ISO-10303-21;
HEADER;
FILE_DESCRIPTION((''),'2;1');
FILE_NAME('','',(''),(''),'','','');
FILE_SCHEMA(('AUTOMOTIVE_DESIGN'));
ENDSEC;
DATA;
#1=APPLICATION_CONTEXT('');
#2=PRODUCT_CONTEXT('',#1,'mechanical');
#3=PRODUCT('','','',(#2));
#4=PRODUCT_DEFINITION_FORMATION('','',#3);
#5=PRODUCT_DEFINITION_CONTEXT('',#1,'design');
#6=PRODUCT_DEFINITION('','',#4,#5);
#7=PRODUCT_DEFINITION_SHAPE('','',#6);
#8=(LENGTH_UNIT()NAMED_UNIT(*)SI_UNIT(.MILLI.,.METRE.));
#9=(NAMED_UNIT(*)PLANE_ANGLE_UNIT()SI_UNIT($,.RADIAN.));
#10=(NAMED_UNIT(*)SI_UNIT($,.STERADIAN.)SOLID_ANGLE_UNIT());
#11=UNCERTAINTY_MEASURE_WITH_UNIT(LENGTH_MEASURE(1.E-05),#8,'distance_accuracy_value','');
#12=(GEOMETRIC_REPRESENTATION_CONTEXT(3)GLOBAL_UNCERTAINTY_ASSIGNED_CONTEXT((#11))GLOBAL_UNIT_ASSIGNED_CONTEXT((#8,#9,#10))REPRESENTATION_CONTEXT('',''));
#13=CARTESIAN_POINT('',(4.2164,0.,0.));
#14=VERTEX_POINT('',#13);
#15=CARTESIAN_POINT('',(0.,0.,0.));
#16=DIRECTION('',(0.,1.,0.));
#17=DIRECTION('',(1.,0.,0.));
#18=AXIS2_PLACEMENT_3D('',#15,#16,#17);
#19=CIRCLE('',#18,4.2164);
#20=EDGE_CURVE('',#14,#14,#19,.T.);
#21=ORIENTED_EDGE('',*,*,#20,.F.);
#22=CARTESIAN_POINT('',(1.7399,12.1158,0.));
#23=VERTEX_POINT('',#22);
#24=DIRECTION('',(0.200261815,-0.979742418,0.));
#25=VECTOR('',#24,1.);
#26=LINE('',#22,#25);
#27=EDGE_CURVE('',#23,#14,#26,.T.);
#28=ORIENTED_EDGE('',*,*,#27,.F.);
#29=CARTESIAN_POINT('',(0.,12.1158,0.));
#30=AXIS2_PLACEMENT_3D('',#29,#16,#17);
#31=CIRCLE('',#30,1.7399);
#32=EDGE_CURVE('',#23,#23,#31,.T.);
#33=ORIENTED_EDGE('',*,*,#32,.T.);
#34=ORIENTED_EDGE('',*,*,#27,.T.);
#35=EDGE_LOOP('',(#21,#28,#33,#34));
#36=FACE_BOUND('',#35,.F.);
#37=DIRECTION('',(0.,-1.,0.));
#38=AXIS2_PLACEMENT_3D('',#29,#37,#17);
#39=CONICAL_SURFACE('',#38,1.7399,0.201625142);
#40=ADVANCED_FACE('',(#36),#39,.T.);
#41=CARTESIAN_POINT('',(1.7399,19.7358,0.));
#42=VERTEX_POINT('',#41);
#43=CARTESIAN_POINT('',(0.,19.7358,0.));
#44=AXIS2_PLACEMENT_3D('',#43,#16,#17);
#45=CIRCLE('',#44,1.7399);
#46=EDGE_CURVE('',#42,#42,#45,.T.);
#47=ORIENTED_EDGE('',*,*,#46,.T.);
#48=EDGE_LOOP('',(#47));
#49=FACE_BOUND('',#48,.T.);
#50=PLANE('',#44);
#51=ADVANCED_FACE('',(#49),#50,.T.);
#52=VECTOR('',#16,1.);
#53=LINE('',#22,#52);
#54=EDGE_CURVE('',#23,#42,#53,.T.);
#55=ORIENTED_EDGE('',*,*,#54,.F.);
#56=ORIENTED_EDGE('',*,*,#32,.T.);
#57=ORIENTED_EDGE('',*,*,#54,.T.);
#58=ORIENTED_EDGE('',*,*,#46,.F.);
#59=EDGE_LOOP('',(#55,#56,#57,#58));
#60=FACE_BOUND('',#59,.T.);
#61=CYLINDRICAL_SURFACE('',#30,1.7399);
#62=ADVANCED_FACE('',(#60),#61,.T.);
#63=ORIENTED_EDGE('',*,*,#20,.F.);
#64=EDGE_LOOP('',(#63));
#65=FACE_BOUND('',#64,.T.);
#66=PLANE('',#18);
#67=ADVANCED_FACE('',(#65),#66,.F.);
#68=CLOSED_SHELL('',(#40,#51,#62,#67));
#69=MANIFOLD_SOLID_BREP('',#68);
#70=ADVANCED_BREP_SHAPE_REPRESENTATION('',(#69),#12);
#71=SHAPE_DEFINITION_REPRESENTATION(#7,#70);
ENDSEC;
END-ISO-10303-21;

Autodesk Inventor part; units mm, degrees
ref_plane "YZ Plane" through (0, 0, 0) normal (1, 0, 0) x (0, 1, 0)
ref_plane "XZ Plane" through (0, 0, 0) normal (0, 1, 0) x (-1, 0, 0)
ref_plane "XY Plane" through (0, 0, 0) normal (0, 0, 1) x (1, 0, 0)
sketch "Sketch1" plane through (0, 0, 0) normal (0, 0, 1) x (1, 0, 0)
  line L0 (0, 0) -> (4.2164, 0)
  line L1 (0, 0) -> (0, 12.1158)
  line L2 (0, 12.1158) -> (1.7399, 12.1158)
  line L3 (1.7399, 12.1158) -> (4.2164, 0)
  line L4 (0, 12.1158) -> (1.7399, 12.1158)
  line L5 (1.7399, 12.1158) -> (1.7399, 19.7358)
  line L6 (1.7399, 19.7358) -> (0, 19.7358)
  line L7 (0, 19.7358) -> (0, 12.1158)
  dimension "d0" = 4.2164
  dimension "d1" = 12.1158
  dimension "d2" = 1.7399
  dimension "d3" = 7.62
  dimension "d5" = 1.7399
revolve "Revolution1" add sketch "Sketch1" angle 360 about axis through (0, 0, 0) along (0, 1, 0)
properties part number "control stick"
